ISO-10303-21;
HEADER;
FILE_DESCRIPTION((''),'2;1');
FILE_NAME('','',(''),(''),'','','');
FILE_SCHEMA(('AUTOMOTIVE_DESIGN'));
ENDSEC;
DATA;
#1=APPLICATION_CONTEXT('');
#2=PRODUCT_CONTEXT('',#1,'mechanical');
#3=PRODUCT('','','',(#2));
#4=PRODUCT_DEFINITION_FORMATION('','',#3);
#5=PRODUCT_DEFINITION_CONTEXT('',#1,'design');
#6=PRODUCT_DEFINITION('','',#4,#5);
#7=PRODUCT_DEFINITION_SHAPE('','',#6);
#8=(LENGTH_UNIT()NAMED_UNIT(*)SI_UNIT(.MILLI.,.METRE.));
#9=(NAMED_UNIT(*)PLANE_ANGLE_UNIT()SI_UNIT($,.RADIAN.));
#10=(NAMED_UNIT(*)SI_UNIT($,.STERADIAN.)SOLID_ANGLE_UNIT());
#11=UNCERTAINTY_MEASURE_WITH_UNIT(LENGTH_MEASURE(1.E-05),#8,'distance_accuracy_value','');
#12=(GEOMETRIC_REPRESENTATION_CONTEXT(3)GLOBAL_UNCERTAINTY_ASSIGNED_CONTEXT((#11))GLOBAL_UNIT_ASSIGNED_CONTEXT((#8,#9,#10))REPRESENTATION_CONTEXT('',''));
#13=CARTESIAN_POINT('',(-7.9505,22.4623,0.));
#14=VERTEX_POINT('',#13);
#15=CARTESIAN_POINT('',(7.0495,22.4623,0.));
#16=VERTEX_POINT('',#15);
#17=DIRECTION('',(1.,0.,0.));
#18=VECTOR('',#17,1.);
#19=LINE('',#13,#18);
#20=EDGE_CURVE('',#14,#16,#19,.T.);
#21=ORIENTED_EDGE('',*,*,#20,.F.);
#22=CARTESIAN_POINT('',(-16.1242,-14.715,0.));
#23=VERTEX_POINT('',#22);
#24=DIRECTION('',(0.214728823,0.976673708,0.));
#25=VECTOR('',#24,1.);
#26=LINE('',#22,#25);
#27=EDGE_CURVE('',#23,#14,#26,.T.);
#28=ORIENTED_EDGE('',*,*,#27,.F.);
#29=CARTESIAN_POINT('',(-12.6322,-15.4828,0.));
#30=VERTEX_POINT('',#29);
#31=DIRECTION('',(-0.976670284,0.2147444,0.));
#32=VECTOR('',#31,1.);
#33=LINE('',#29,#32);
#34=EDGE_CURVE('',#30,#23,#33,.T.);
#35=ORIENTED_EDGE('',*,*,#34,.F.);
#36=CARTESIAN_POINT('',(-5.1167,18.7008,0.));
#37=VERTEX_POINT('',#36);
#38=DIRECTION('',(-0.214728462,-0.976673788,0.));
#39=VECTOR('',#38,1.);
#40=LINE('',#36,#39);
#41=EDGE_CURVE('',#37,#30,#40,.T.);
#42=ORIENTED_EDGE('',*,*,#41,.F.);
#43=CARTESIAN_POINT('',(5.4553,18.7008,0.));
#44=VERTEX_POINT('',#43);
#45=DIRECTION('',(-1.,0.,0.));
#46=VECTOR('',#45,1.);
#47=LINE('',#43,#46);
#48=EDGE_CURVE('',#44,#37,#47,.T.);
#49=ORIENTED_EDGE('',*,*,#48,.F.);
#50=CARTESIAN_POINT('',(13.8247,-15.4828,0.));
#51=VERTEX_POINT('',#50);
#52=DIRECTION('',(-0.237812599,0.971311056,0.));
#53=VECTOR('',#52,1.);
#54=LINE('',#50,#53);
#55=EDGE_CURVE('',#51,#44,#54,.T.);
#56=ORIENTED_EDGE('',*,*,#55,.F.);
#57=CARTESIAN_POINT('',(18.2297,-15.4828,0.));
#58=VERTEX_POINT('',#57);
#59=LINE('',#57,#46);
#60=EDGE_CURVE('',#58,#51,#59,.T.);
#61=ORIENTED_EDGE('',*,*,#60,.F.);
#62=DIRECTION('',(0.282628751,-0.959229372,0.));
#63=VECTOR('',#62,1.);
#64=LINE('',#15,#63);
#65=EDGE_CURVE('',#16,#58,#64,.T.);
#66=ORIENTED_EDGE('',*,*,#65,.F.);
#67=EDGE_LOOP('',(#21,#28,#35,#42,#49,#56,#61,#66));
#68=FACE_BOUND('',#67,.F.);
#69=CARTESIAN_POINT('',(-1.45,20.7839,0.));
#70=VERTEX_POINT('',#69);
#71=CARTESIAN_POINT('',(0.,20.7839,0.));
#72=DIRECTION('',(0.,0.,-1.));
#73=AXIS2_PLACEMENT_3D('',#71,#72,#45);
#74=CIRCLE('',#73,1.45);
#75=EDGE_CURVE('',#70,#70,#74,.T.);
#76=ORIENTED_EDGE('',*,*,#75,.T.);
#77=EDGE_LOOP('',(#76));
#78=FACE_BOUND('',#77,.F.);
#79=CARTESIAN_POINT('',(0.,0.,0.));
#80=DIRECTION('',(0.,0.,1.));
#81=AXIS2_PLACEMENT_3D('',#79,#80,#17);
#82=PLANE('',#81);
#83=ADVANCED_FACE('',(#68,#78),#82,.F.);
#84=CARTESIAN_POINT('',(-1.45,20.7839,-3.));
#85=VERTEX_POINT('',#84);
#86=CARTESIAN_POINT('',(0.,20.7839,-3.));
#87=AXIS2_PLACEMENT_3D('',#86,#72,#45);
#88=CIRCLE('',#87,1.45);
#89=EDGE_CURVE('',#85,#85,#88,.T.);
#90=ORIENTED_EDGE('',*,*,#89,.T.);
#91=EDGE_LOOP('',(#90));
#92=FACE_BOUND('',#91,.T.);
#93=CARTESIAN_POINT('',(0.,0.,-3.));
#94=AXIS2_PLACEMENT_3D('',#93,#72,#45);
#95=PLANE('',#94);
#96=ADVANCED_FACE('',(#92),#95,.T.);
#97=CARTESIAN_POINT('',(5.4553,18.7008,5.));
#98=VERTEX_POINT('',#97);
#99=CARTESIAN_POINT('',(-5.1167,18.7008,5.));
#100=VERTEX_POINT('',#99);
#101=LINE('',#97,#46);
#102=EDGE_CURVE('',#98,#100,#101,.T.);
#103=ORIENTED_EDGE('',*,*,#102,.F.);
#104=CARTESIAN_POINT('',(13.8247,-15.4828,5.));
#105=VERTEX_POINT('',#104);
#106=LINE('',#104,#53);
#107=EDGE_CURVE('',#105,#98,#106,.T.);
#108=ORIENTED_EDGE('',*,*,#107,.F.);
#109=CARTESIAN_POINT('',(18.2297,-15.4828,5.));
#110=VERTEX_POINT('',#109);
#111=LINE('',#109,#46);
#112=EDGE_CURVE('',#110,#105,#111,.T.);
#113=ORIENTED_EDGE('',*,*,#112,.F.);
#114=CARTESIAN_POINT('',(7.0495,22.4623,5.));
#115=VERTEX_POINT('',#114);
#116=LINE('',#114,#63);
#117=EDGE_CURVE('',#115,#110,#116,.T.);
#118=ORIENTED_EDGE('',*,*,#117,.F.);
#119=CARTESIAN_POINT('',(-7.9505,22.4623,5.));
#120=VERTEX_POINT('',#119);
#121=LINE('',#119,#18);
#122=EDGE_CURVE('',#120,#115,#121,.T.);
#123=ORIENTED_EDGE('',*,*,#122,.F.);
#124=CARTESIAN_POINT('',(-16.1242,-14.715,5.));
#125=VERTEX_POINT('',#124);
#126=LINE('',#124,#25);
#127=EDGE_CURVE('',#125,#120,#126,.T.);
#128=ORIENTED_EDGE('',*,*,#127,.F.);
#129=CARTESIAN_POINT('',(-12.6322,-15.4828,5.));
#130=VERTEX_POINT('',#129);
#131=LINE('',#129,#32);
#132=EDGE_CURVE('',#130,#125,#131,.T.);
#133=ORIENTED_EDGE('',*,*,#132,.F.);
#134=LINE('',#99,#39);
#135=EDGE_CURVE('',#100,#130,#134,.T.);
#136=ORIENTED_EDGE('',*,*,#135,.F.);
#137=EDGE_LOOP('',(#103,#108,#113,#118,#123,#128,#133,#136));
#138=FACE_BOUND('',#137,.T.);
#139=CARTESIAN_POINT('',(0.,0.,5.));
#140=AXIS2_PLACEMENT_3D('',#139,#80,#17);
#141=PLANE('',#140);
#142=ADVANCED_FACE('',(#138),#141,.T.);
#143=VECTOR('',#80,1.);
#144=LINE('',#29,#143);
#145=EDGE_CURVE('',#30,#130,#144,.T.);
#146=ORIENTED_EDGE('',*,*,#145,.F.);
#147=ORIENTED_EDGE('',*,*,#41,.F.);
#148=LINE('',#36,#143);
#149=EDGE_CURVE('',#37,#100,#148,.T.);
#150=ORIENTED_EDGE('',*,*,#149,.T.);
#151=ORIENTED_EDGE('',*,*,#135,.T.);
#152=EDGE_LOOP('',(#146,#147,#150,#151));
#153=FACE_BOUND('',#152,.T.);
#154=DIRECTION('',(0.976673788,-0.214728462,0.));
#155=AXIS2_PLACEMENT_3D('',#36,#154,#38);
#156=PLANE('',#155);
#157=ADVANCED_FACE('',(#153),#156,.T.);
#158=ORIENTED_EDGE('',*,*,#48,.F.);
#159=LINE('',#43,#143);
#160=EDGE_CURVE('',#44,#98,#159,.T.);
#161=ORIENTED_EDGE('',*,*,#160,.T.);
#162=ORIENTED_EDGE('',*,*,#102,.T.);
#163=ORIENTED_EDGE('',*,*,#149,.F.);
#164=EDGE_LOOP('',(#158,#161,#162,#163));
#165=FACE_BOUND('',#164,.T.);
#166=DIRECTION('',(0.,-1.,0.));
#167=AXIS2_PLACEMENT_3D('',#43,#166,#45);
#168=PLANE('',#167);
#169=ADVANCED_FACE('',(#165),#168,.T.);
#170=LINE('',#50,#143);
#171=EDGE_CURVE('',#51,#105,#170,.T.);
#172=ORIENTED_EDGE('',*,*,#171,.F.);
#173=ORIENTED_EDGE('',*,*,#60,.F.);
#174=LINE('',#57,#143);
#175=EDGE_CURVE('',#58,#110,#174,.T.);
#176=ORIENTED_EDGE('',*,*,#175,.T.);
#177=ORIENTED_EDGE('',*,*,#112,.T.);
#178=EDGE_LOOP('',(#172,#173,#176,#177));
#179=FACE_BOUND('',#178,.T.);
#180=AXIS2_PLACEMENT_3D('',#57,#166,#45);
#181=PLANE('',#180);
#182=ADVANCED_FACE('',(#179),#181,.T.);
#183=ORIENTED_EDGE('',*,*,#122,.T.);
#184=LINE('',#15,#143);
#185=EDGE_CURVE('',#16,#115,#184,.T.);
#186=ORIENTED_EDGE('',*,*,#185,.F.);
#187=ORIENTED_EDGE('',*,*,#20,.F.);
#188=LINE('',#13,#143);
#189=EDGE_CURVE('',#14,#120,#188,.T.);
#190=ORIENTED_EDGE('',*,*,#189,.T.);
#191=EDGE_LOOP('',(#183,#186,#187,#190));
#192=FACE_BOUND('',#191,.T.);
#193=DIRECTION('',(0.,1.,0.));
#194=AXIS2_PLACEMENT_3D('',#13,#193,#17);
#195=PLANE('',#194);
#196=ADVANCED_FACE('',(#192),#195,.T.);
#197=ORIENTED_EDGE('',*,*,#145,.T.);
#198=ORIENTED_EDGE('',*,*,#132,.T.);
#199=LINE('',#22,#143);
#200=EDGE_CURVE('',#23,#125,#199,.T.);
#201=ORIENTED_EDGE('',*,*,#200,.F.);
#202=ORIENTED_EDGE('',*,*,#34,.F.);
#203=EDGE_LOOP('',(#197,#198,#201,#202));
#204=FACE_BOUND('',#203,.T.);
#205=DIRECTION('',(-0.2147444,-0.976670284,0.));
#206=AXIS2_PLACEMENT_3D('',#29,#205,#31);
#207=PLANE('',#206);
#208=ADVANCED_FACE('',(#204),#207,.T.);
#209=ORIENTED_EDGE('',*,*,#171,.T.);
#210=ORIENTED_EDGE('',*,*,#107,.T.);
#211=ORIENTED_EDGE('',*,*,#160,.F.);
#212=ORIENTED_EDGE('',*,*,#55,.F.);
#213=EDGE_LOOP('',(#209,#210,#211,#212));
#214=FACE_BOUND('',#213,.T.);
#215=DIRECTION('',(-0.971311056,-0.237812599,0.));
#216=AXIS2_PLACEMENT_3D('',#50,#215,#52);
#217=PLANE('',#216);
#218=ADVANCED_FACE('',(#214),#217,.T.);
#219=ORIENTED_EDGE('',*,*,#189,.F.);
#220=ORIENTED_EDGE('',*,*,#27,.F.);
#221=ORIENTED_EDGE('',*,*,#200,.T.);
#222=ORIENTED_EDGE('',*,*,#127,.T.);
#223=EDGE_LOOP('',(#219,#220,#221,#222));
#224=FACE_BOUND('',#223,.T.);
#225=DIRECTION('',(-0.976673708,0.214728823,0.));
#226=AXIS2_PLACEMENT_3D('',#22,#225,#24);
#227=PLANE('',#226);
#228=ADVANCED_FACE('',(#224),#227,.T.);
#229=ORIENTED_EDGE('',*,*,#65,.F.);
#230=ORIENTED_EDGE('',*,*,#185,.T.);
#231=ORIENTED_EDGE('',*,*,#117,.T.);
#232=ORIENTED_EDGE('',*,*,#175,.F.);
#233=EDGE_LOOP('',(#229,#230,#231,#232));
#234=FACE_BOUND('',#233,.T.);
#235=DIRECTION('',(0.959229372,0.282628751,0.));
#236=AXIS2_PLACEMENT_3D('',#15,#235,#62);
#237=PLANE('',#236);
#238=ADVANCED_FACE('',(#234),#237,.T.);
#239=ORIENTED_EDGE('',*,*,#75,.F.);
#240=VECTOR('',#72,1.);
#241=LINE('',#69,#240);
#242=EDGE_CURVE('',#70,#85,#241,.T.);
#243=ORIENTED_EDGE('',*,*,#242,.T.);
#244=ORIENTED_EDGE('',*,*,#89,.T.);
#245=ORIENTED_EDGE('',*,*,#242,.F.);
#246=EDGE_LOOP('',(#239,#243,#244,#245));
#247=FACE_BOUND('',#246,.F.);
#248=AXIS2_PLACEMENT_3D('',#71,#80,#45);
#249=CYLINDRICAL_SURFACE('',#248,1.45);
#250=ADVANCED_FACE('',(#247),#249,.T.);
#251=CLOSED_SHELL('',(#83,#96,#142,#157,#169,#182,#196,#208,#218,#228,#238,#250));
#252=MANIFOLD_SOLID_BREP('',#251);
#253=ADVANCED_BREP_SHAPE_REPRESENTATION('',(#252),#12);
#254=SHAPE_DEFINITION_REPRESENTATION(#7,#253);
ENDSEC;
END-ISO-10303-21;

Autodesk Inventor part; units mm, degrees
ref_plane "YZ Plane" through (0, 0, 0) normal (1, 0, 0) x (0, 1, 0)
ref_plane "XZ Plane" through (0, 0, 0) normal (0, 1, 0) x (-1, 0, 0)
ref_plane "XY Plane" through (0, 0, 0) normal (0, 0, 1) x (1, 0, 0)
sketch "Sketch1" plane through (0, 0, 0) normal (0, 0, 1) x (1, 0, 0)
  line L0 (-5.1167, 18.7008) -> (-12.6322, -15.4828)
  line L1 (-12.6322, -15.4828) -> (-16.1242, -14.715)
  line L2 (-16.1242, -14.715) -> (-7.9505, 22.4623)
  line L3 (-7.9505, 22.4623) -> (7.0495, 22.4623)
  line L4 (7.0495, 22.4623) -> (18.2297, -15.4828)
  line L5 (18.2297, -15.4828) -> (13.8247, -15.4828)
  line L6 (13.8247, -15.4828) -> (5.4553, 18.7008)
  line L7 (5.4553, 18.7008) -> (-5.1167, 18.7008)
  point P0 (0, 0)
  dimension "d0" = 35
  dimension "d1" = 15
extrude "Extrusion1" add sketch "Sketch1" along normal blind 5
sketch "Sketch2" plane through (0, 0, 0) normal (0, 0, -1) x (-1, 0, 0)
  circle A0 centre (0, 20.7839) radius 1.45
  point P0 (0, 0)
  dimension "d4" = 2.9
extrude "Extrusion2" add sketch "Sketch2" along normal blind 3
properties part number "F stand"
